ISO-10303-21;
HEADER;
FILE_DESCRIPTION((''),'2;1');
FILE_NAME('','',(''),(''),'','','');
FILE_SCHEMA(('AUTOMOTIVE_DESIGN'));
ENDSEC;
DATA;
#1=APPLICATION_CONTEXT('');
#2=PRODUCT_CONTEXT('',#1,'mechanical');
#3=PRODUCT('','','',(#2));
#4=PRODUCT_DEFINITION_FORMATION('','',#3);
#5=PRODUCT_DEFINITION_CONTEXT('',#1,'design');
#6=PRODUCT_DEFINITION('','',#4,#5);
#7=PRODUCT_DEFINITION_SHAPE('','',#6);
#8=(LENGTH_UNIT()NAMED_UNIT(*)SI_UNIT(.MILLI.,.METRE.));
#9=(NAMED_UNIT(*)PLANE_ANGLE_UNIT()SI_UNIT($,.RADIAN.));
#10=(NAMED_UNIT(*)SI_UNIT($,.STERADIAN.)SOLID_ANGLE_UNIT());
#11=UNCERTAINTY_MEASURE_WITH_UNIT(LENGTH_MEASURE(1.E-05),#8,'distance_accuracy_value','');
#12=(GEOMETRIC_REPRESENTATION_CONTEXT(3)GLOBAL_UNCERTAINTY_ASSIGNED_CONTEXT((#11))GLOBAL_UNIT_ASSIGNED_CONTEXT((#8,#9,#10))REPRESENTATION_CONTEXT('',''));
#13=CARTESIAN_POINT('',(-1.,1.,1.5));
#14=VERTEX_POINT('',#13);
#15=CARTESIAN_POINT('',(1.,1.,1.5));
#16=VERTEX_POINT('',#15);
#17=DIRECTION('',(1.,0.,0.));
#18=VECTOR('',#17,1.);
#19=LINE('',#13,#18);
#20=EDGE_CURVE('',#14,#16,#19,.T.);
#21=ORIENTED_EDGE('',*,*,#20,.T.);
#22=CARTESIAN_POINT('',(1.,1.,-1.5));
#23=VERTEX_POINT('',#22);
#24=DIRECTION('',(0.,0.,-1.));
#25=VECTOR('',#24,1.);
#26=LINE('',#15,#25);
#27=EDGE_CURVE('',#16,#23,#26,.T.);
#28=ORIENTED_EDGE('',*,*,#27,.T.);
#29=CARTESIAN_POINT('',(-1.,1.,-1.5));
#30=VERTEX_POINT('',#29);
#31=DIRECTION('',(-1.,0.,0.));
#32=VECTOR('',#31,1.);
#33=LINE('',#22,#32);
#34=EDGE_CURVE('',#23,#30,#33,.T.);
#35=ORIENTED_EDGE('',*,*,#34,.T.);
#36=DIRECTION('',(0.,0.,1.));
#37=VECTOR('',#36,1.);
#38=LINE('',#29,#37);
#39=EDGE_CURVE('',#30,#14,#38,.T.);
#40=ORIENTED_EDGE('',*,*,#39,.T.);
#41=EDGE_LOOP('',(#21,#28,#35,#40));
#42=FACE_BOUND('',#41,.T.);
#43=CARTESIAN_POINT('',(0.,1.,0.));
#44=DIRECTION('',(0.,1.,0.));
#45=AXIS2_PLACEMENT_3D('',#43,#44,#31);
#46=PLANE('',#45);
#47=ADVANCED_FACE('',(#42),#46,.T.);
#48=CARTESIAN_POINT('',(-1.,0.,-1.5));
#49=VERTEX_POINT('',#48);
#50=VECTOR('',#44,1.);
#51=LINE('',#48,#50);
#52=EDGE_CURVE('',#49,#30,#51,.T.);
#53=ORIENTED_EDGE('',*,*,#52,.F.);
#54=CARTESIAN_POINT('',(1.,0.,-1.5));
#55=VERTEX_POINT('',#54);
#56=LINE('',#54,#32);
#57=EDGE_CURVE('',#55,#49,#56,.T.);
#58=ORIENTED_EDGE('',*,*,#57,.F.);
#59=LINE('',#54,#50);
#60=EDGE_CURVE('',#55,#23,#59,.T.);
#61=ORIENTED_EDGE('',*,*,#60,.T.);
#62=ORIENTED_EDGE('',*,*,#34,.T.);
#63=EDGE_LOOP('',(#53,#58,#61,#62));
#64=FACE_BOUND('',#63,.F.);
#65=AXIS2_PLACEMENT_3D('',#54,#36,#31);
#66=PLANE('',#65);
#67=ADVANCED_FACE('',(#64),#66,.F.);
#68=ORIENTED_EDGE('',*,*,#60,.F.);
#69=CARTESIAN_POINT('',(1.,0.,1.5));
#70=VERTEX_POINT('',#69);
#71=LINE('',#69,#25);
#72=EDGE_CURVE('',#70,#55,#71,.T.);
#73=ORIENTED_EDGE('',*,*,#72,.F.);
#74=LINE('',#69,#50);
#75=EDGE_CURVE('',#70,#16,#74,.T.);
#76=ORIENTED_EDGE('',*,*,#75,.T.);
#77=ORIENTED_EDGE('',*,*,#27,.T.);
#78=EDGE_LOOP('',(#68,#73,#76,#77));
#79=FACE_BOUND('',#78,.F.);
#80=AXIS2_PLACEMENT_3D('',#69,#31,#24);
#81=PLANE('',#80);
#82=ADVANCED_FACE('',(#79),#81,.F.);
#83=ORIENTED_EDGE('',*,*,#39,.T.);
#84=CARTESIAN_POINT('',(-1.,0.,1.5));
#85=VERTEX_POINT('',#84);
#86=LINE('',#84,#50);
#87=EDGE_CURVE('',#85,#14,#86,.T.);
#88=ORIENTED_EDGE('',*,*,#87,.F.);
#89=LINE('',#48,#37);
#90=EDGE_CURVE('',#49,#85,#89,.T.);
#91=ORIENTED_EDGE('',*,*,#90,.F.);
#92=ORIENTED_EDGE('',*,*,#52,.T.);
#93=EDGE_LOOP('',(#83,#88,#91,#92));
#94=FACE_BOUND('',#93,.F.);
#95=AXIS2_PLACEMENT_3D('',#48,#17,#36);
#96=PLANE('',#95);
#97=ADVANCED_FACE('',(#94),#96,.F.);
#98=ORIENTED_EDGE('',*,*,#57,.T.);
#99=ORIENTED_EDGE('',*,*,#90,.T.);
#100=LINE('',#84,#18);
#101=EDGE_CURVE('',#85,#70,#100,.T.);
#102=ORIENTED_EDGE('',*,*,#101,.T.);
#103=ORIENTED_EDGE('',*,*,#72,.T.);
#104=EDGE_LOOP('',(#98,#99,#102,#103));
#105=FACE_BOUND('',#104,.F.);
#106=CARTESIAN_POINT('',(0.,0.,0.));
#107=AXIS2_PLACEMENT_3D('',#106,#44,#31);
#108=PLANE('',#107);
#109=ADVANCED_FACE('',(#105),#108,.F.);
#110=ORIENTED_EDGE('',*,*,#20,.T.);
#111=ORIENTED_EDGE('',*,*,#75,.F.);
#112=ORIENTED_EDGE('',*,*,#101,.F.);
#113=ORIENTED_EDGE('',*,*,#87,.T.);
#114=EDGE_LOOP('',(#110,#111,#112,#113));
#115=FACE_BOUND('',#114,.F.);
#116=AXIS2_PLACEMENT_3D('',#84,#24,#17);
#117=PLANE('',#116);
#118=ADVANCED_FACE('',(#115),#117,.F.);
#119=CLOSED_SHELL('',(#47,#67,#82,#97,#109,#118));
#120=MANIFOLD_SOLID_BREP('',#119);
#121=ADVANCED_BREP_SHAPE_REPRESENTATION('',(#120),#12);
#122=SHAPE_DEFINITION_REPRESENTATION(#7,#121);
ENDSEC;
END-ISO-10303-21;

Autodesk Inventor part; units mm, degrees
ref_plane "YZ Plane" through (0, 0, 0) normal (1, 0, 0) x (0, 1, 0)
ref_plane "XZ Plane" through (0, 0, 0) normal (0, 1, 0) x (-1, 0, 0)
ref_plane "XY Plane" through (0, 0, 0) normal (0, 0, 1) x (1, 0, 0)
sketch "Sketch1" plane through (0, 0, 0) normal (0, 1, 0) x (-1, 0, 0)
  line L0 (1, 1.5) -> (-1, 1.5)
  line L1 (-1, 1.5) -> (-1, -1.5)
  line L2 (-1, -1.5) -> (1, -1.5)
  line L3 (1, -1.5) -> (1, 1.5)
  point P0 (0, 0)
  dimension "d0" = 2
  dimension "d1" = 3
  dimension "d2" = 1
  dimension "d3" = 1.5
extrude "Extrusion1" add sketch "Sketch1" along normal blind 1
equation "\"d2\" = 0.5 * d0"
equation "\"d3\" = 0.5 * d1"
properties part number "E Component 1" material "Rubber, Silicone"
